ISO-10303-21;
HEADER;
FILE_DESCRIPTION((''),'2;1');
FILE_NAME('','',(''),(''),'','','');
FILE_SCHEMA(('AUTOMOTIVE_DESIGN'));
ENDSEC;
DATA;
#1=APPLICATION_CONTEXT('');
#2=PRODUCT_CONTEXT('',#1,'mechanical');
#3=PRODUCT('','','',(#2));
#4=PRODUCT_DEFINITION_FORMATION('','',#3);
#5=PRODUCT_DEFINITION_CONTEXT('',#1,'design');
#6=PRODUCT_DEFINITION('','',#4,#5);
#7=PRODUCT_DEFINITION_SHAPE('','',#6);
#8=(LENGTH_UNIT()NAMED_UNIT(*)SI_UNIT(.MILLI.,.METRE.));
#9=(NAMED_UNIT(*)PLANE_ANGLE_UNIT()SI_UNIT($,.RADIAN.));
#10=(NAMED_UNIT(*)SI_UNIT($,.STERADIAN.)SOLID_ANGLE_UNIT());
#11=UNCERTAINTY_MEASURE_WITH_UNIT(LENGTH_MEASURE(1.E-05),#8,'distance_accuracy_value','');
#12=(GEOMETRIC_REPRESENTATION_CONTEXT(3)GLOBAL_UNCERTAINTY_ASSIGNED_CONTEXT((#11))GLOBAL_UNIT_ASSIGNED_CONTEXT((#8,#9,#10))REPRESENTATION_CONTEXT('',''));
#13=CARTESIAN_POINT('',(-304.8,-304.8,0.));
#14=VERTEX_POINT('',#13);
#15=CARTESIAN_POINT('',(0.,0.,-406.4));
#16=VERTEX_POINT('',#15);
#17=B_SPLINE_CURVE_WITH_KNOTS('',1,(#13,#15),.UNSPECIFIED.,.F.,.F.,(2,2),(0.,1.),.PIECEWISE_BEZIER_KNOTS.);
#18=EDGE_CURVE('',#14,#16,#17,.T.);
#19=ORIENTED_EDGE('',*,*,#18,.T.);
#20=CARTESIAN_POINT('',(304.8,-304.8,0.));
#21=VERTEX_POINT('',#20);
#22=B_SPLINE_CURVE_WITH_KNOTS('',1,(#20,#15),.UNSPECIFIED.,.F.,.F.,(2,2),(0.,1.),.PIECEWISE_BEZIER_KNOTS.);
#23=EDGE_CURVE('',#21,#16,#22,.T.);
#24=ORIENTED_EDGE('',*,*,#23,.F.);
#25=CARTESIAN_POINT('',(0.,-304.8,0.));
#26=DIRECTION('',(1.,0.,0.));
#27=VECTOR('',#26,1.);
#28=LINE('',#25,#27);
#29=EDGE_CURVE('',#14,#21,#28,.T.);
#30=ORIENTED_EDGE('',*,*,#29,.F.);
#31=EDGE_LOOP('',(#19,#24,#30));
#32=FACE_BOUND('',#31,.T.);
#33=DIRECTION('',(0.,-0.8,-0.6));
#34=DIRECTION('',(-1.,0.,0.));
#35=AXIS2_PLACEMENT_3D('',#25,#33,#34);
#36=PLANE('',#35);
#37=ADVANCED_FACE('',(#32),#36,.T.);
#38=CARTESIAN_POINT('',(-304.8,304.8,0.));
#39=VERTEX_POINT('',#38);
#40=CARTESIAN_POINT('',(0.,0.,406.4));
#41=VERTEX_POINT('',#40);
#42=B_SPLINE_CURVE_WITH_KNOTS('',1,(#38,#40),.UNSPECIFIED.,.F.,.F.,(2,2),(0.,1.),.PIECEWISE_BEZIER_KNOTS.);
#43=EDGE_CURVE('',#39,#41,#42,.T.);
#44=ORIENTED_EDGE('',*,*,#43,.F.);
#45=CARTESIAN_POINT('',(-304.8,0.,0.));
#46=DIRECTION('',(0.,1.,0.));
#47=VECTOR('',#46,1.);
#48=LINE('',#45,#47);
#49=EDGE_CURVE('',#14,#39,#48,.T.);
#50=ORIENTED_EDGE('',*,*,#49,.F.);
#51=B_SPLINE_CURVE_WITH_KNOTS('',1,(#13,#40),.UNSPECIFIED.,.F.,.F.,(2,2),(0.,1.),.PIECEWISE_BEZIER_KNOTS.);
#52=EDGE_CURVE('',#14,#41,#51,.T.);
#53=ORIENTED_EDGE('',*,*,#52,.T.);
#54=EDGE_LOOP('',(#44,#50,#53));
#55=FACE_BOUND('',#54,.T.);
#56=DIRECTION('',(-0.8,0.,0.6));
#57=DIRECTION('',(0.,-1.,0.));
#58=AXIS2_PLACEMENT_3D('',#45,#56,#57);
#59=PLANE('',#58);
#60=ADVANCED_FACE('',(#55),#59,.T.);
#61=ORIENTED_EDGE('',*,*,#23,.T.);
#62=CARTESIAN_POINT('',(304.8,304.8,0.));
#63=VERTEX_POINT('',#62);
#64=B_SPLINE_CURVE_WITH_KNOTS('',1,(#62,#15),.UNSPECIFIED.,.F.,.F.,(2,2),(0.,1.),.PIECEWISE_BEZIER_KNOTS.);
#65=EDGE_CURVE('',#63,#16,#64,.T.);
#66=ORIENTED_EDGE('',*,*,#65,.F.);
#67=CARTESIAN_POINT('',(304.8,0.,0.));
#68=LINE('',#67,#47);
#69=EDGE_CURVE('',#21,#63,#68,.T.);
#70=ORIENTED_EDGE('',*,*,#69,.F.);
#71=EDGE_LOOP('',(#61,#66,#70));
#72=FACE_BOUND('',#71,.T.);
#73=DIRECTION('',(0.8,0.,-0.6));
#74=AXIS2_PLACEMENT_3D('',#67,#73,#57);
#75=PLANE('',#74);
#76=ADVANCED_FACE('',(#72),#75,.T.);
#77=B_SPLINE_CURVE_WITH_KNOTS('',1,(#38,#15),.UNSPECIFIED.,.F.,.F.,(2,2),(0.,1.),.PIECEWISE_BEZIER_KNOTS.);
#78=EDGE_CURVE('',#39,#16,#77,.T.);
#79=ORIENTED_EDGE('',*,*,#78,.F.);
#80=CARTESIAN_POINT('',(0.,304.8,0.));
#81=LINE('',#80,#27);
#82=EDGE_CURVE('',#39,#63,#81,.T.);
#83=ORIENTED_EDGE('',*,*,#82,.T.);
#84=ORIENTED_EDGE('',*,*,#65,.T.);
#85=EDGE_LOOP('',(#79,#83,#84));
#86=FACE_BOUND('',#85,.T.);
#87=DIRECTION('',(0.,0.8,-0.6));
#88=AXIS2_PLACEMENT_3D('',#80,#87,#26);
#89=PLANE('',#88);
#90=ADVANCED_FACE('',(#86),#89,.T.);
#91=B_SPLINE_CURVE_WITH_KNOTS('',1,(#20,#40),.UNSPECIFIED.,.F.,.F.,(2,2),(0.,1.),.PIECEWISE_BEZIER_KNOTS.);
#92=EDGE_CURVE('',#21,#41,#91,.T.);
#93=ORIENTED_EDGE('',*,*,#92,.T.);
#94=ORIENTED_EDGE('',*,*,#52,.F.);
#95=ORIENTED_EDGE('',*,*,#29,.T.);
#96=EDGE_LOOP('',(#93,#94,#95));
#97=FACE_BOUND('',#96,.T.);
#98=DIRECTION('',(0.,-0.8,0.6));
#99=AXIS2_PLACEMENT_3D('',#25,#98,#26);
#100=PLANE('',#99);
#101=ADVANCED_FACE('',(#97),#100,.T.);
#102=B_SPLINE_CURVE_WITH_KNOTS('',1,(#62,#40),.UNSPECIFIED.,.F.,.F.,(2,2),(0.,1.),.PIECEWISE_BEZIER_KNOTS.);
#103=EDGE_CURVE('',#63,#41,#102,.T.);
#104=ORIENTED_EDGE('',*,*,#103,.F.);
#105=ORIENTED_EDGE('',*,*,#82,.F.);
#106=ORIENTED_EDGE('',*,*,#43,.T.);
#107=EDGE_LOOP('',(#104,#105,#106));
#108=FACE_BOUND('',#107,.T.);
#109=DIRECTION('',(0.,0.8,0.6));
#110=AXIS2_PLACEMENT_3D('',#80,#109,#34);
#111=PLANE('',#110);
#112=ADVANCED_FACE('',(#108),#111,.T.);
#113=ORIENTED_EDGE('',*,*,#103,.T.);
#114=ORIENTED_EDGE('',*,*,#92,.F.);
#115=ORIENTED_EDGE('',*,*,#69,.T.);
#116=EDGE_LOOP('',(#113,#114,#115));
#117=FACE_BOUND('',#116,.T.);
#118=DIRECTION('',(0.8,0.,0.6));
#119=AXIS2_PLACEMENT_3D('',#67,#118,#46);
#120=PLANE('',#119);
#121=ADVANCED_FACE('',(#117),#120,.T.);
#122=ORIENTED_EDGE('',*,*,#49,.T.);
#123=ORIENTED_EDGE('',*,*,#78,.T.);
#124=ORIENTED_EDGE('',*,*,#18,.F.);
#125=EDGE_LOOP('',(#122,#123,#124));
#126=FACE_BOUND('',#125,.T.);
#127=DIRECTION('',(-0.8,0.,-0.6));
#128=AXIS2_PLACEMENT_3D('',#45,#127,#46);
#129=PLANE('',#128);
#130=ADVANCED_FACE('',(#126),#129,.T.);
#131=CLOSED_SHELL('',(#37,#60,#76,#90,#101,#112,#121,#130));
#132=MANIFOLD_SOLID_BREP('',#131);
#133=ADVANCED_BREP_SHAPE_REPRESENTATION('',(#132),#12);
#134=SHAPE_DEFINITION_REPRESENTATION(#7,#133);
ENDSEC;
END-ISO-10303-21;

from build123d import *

# Parameters (mm, degrees)
F1_W      = 609.6
F1_H      = 609.6
F7_FACE_W = 609.6
F7_FACE_H = 609.6


with BuildPart() as f7:
    # F1 (on Top) → F7 section 0
    with BuildSketch(Plane.XY, mode=Mode.PRIVATE) as f7_s0:
        Rectangle(F1_W, F1_H)
    loft([f7_s0.sketch, Vertex(0, 0, 406.4)])

    # F7_face (on face) → F8 section 0
    with BuildSketch(Plane(origin=(0, 0, 0), x_dir=(1, 0, 0), z_dir=(0, 0, -1)), mode=Mode.PRIVATE) as f8_s0:
        Rectangle(F7_FACE_W, F7_FACE_H)
    loft([f8_s0.sketch, Vertex(0, 0, -406.4)])


solid = f7.part
